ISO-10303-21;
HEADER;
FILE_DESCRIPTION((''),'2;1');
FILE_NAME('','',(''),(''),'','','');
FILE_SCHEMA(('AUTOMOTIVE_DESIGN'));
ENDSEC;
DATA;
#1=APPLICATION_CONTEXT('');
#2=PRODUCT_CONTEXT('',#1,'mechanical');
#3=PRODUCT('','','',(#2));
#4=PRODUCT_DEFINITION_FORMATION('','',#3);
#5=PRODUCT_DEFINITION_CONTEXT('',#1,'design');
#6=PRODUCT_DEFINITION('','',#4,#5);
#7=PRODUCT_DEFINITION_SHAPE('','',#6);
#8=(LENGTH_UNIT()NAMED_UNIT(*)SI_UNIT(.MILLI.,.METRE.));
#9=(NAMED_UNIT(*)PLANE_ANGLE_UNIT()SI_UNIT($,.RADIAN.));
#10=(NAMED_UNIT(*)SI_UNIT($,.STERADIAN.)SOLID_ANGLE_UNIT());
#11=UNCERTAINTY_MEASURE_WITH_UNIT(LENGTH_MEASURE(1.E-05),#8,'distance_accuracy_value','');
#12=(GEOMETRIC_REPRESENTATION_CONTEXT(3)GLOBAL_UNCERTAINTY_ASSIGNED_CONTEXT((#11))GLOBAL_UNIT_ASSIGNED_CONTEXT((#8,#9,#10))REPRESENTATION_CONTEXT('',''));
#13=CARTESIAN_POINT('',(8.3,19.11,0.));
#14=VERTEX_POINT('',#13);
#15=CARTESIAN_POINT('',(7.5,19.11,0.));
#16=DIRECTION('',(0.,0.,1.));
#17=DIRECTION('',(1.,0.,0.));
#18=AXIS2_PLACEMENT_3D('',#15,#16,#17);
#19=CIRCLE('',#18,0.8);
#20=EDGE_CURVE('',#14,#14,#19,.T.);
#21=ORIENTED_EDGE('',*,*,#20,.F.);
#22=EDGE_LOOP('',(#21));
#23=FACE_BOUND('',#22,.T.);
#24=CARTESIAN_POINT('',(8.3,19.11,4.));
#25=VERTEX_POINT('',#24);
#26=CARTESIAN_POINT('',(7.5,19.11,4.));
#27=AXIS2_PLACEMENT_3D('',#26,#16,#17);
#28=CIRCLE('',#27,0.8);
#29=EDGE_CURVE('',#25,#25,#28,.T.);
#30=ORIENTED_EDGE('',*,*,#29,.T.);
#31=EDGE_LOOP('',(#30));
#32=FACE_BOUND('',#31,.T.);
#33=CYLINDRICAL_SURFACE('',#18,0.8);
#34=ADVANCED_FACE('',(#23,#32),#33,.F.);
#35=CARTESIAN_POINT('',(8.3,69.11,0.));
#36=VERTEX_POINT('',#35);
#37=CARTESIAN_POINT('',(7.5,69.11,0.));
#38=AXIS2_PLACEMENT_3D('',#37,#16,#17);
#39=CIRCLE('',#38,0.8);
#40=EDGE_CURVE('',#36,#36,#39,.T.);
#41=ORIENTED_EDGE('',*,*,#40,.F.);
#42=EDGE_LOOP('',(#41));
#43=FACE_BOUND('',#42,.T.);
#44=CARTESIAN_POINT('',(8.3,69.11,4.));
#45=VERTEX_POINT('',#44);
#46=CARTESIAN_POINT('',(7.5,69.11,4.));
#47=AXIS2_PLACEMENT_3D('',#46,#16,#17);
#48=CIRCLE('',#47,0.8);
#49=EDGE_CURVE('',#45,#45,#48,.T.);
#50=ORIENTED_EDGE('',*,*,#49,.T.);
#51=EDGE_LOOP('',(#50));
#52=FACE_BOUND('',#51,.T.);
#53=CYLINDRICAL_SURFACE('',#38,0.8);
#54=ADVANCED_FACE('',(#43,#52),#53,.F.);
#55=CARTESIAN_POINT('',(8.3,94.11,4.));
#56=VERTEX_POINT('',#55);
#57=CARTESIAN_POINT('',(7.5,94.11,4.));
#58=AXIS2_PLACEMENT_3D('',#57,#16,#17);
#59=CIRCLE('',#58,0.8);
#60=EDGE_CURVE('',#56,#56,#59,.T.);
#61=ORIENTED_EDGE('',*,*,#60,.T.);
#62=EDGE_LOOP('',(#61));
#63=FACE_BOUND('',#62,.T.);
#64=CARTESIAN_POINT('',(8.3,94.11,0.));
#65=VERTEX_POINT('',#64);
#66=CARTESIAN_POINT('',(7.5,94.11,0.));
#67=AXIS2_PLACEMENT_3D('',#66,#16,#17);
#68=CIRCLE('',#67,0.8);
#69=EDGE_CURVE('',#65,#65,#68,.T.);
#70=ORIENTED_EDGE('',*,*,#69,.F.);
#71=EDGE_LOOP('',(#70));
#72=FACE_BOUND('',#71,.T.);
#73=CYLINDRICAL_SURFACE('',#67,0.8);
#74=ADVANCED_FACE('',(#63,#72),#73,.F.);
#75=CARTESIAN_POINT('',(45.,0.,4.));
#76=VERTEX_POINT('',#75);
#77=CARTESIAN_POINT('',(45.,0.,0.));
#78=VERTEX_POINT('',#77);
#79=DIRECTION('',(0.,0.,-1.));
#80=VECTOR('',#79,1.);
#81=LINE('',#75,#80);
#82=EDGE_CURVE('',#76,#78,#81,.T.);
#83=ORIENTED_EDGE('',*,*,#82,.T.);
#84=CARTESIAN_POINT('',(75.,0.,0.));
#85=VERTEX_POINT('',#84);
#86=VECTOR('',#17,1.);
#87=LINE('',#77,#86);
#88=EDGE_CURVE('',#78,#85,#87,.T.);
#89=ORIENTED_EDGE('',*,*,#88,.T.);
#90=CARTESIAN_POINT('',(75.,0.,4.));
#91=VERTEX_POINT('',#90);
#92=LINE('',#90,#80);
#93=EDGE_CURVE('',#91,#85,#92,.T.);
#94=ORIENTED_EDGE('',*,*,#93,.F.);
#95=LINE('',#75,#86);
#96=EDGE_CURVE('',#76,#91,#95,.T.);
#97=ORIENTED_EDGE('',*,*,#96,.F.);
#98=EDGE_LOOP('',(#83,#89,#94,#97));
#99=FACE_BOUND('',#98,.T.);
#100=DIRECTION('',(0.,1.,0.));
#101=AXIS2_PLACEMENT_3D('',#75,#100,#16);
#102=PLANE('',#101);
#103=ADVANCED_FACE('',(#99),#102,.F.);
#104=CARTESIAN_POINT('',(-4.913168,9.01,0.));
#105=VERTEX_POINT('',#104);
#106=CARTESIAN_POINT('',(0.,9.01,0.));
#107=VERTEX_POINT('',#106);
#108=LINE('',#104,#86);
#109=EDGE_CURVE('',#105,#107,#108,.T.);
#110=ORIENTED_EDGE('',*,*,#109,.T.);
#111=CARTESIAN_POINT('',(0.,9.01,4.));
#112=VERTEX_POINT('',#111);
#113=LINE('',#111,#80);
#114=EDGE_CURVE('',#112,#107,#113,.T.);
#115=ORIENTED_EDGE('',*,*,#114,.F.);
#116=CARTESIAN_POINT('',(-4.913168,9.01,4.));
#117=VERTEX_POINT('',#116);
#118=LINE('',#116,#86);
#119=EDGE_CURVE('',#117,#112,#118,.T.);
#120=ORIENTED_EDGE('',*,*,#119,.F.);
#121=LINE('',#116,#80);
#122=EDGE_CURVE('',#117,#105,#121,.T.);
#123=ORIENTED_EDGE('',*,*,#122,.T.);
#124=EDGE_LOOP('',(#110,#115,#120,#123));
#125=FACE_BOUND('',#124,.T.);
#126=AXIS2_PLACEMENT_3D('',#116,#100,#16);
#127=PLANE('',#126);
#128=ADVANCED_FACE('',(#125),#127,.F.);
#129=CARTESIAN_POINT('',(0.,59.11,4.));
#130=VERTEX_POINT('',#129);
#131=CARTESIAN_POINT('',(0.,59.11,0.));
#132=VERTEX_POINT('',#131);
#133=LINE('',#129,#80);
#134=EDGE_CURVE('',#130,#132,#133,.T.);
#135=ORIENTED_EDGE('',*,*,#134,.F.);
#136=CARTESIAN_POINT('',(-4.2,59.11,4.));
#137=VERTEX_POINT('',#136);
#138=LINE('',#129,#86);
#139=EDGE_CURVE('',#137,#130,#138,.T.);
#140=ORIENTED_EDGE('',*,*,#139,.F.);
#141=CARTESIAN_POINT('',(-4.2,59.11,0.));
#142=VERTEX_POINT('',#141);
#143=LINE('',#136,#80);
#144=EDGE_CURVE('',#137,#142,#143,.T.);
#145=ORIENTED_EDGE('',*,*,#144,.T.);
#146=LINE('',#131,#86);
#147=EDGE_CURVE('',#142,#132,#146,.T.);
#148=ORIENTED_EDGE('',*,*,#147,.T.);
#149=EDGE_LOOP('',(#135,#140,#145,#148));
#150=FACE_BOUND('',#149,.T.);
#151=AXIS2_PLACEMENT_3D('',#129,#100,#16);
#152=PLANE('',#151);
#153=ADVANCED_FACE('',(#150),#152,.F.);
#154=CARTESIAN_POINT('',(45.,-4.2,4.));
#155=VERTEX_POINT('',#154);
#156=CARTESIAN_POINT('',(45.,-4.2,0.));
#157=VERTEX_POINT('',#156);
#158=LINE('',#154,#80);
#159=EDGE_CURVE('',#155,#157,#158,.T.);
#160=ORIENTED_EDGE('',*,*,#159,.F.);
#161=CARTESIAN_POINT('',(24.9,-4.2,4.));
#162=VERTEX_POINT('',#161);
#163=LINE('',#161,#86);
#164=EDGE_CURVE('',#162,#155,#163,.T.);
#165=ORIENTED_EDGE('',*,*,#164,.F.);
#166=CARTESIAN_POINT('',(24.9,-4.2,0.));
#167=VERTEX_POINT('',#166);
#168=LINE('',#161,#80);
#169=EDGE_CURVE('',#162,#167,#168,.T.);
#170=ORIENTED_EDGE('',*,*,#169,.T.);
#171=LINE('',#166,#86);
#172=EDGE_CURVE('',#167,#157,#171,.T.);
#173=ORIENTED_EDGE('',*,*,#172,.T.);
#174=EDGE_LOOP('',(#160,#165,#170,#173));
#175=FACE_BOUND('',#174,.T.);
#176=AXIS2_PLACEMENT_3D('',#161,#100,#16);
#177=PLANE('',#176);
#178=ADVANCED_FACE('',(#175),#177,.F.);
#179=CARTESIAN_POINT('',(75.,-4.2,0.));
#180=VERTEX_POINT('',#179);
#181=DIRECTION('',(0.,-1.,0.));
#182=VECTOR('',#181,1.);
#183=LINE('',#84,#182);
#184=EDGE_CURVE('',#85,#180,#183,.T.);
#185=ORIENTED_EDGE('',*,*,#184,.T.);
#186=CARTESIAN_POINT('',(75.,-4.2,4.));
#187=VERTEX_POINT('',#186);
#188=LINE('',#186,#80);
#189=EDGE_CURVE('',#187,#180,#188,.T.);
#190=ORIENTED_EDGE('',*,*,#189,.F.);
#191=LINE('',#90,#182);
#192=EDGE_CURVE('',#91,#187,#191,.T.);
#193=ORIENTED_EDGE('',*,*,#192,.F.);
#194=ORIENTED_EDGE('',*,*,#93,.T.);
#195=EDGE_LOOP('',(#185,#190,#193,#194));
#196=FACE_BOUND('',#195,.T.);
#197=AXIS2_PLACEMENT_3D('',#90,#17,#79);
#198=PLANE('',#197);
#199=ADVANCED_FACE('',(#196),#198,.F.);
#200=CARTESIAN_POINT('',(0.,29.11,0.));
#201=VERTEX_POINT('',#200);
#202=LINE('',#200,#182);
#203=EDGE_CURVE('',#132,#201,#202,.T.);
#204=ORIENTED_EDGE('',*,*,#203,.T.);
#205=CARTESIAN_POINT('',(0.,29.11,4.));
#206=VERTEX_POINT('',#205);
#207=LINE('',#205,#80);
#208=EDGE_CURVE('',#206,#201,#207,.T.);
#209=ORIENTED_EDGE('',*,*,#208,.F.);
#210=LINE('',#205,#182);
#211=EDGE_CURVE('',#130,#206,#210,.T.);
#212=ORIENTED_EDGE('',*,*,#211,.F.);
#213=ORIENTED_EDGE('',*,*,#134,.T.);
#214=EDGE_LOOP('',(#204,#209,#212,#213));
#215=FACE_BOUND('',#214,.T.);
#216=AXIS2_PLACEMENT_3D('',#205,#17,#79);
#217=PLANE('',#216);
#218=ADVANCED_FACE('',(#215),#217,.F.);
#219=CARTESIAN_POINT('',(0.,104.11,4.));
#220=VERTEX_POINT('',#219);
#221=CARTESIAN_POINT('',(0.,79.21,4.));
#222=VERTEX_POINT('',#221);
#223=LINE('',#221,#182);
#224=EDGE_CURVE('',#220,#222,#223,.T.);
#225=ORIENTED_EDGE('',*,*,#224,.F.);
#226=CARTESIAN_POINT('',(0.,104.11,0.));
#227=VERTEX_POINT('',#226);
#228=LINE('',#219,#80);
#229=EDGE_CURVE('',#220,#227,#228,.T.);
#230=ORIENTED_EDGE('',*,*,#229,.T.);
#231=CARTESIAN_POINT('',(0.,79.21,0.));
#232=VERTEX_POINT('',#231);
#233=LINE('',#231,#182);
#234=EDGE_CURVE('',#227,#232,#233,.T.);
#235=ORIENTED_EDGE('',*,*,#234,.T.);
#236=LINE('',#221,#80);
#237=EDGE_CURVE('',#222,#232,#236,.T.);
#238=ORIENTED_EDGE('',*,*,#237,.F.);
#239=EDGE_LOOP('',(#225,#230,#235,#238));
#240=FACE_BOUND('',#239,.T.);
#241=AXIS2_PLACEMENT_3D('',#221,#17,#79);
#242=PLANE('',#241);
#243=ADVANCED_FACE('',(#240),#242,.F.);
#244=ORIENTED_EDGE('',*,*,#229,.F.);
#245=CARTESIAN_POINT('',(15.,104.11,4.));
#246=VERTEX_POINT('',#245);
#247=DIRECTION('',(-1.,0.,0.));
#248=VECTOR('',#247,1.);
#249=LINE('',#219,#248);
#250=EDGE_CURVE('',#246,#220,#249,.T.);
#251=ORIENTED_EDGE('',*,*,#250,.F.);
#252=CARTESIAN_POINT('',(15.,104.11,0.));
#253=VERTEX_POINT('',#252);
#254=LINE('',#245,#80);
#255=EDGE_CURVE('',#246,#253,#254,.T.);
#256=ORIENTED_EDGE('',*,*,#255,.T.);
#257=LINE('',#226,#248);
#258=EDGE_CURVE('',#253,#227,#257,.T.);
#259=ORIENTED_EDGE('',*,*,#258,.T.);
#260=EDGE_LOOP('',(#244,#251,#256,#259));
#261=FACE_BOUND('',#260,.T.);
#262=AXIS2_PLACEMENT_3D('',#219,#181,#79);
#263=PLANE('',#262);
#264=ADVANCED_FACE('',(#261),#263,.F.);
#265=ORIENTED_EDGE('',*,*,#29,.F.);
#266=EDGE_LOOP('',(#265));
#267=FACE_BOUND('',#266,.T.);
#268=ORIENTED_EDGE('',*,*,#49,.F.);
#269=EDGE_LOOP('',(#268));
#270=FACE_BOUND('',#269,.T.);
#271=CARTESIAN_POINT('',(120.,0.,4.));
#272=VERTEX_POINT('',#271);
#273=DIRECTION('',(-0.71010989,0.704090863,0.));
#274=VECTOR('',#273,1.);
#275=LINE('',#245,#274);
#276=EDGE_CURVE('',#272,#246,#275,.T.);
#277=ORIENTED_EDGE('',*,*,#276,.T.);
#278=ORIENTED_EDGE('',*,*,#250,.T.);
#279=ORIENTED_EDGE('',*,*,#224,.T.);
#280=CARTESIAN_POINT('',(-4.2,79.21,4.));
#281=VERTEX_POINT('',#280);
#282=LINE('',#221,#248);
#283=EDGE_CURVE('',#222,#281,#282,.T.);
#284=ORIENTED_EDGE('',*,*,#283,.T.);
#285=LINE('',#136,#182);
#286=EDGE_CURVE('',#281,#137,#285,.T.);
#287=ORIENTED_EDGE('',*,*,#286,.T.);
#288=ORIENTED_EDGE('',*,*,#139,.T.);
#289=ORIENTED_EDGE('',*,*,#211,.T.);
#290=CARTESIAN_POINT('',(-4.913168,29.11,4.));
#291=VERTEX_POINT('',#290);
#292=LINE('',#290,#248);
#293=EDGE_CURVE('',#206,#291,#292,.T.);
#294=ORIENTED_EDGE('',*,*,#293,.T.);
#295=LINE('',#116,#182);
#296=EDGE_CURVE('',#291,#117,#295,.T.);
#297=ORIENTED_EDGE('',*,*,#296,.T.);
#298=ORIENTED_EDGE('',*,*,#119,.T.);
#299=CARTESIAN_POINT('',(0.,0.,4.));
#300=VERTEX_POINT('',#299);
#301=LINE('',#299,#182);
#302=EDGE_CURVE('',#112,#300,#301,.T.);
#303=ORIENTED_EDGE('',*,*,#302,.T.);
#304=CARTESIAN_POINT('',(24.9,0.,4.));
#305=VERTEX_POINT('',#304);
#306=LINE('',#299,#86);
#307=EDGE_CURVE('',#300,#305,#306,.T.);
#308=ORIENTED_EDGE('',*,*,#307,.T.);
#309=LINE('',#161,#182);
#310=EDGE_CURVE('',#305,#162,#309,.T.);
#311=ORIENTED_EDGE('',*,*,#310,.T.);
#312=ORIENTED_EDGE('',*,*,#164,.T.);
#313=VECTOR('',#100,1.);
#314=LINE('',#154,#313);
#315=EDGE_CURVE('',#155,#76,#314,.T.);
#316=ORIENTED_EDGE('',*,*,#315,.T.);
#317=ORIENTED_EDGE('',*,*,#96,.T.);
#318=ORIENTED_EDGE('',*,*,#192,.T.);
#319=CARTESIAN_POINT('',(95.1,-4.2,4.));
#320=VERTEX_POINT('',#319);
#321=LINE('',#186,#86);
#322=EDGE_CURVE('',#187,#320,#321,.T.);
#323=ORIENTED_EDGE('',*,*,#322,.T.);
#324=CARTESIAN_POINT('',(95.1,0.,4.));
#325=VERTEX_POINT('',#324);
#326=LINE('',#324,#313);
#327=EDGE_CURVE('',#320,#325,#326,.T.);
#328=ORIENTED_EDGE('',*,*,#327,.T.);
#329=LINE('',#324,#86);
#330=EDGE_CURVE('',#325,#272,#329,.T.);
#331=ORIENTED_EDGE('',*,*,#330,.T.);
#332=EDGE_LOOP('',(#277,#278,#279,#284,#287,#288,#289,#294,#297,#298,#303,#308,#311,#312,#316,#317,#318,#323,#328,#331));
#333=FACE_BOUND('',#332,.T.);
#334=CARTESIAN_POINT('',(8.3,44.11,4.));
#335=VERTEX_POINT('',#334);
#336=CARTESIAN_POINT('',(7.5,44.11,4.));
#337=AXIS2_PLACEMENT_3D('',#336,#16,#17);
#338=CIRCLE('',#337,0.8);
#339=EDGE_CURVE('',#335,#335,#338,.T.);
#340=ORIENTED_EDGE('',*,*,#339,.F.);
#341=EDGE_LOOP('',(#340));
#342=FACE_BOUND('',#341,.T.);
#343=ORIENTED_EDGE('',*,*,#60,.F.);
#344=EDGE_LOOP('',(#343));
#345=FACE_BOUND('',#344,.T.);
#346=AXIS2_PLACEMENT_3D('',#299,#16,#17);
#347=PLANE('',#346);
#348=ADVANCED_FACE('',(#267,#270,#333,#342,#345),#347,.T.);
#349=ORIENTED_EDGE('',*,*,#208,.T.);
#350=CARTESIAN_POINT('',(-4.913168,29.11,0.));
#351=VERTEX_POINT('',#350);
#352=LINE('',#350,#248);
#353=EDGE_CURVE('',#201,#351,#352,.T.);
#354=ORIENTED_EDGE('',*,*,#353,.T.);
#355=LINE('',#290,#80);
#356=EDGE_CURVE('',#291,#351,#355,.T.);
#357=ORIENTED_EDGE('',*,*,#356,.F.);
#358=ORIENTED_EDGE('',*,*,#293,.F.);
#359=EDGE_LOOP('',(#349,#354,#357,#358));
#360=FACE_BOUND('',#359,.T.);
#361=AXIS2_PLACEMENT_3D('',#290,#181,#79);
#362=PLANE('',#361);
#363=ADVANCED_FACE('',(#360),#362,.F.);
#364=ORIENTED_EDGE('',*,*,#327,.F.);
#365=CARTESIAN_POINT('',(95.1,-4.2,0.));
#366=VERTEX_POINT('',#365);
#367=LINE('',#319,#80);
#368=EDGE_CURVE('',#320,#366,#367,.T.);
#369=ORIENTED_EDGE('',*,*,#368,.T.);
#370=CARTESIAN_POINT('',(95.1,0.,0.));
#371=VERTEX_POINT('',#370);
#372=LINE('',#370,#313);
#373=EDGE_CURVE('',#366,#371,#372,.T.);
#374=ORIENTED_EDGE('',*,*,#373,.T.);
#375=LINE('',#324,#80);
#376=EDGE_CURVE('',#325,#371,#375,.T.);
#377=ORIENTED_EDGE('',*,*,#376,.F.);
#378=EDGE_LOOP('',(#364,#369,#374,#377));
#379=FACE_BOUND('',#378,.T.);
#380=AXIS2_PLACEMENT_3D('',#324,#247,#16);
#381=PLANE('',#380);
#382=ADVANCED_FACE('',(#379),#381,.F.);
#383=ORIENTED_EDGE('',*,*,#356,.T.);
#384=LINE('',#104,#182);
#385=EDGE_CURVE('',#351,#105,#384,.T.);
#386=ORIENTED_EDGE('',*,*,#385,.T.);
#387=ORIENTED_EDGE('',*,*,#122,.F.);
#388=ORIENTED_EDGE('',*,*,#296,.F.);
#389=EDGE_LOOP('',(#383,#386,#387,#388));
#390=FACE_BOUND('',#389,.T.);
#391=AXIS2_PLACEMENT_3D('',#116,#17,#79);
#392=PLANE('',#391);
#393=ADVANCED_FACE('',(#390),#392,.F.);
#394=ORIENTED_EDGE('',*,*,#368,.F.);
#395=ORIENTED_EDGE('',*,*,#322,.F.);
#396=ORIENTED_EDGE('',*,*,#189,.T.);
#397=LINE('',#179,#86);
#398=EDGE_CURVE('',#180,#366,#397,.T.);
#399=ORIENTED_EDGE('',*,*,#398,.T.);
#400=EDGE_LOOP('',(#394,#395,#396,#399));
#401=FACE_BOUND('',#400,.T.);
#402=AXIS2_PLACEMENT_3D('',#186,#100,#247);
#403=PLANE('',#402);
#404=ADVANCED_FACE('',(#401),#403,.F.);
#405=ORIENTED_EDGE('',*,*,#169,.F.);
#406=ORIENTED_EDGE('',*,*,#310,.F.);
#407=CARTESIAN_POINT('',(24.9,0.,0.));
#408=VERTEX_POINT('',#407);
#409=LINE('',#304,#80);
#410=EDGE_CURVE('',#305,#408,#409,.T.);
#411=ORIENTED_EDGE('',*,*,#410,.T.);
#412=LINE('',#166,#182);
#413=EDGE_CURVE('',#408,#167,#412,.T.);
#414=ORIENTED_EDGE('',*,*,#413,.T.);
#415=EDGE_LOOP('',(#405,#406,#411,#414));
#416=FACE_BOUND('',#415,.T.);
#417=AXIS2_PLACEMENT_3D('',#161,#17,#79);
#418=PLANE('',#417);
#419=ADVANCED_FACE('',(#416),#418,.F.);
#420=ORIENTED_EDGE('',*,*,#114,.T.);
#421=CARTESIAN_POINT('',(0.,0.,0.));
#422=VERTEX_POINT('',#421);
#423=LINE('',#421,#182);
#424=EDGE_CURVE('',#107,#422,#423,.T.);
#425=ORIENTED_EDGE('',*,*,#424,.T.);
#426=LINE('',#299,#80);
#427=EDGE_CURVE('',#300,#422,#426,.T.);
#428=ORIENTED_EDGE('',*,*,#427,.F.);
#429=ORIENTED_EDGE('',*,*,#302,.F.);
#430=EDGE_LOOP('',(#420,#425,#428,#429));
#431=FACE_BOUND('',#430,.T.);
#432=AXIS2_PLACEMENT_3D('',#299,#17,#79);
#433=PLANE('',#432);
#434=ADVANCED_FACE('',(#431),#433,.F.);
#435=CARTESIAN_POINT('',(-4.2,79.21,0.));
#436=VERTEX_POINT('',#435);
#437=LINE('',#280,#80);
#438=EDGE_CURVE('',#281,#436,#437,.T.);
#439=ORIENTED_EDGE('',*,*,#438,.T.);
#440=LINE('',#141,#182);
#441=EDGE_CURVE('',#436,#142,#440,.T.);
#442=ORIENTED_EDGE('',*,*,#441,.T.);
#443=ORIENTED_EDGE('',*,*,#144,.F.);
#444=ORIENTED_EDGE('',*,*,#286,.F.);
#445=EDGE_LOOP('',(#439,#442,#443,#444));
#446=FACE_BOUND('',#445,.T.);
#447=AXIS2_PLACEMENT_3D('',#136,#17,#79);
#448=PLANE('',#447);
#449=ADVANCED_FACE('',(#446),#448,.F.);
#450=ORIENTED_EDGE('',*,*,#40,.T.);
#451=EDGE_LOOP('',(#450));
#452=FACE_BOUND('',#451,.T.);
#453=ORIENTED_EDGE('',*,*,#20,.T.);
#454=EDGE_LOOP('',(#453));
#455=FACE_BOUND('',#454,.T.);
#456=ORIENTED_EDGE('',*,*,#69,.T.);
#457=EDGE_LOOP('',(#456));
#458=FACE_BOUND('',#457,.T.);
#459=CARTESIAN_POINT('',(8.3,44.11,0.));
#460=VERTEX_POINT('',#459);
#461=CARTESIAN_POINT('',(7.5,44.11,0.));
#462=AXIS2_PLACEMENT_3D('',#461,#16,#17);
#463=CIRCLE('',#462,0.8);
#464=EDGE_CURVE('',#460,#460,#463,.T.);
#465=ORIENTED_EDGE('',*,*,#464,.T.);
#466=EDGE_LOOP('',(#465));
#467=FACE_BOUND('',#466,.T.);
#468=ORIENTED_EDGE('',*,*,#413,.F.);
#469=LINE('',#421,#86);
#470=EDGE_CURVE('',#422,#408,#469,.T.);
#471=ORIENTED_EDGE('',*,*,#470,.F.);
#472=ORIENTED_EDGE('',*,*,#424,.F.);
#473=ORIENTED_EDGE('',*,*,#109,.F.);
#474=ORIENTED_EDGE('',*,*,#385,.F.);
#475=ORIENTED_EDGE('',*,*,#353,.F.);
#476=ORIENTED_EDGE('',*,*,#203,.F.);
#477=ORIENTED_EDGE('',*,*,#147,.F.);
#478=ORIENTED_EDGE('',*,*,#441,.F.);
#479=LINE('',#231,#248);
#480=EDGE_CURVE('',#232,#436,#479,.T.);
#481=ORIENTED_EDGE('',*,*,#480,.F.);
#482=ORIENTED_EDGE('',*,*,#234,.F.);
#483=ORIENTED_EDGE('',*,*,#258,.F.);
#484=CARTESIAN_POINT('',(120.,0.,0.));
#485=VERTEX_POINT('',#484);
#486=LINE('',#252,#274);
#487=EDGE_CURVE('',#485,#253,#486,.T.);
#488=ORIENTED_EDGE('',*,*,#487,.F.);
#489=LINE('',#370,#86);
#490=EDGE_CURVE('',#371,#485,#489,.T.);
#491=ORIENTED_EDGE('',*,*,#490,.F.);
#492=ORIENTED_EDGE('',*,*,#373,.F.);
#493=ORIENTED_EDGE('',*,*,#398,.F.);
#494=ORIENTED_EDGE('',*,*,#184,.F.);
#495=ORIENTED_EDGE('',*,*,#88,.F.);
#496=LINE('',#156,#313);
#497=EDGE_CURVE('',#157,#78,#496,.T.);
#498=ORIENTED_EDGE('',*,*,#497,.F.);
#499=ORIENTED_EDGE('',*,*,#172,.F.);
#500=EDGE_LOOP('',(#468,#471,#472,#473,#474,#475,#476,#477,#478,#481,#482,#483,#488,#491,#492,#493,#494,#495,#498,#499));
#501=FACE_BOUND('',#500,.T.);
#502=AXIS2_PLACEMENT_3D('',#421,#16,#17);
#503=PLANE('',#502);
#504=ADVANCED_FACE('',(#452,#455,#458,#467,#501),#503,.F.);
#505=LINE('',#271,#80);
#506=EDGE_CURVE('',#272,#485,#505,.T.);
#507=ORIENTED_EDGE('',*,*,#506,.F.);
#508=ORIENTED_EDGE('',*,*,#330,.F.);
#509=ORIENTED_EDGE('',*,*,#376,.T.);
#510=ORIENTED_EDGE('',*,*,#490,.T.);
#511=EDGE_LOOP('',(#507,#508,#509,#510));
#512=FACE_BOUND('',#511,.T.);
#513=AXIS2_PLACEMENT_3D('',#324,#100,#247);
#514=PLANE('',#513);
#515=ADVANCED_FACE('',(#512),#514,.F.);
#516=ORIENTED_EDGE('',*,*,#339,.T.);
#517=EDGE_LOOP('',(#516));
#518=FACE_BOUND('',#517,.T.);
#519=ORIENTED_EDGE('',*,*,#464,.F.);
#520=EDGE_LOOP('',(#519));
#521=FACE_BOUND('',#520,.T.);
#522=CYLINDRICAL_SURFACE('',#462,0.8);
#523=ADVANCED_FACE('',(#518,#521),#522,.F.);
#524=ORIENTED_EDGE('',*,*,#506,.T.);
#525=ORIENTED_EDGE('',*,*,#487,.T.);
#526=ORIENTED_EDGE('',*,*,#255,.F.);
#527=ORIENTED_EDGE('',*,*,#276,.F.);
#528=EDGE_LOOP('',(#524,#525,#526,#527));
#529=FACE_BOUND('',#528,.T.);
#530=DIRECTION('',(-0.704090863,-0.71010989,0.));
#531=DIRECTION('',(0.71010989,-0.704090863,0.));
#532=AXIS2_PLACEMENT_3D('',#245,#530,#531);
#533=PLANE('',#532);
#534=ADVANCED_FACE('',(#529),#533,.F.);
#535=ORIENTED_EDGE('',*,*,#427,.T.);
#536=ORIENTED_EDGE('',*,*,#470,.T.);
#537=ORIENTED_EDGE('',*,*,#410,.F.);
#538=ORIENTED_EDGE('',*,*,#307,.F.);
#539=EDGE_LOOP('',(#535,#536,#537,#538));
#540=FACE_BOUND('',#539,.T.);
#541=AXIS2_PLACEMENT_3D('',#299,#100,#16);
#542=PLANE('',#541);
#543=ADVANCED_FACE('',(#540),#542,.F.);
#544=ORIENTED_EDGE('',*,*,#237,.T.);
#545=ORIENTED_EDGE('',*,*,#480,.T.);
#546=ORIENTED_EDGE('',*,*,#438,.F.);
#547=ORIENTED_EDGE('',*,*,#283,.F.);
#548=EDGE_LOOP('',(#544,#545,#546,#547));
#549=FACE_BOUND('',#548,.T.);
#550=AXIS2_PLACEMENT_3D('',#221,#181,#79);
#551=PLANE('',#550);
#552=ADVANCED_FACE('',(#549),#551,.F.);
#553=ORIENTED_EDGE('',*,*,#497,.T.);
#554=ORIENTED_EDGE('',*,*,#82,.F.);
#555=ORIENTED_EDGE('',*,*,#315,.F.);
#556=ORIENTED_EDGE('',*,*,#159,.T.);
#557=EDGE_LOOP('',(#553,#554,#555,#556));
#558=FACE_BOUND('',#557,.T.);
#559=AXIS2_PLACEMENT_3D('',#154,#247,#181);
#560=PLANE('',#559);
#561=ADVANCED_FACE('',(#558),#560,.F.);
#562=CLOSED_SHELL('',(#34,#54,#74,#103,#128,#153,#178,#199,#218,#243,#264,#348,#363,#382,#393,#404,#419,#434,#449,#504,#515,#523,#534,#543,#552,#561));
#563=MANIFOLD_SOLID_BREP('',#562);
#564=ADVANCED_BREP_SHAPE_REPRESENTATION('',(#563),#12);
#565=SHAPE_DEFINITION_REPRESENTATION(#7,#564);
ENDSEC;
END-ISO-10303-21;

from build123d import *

# Parameters (mm, degrees)
BOSS_EXTRUDE1_DEPTH = 4
SKETCH2_R           = 0.8
CUT_EXTRUDE1_DEPTH  = 4
LPATTERN1_COUNT     = 4
LPATTERN1_PITCH     = 25


with BuildPart() as part:
    # Sketch1 → Boss-Extrude1 (new body)
    with BuildSketch(Plane.XY):
        Polygon((0, 0), (0, 9.01), (-4.913167973, 9.01), (-4.913167973, 29.11), (0, 29.11), (0, 59.11), (-4.2, 59.11), (-4.2, 79.21), (0, 79.21), (0, 104.11), (15, 104.11), (120, 0), (95.1, 0), (95.1, -4.2), (75, -4.2), (75, 0), (45, 0), (45, -4.2), (24.9, -4.2), (24.9, 0), align=None)
    extrude(amount=BOSS_EXTRUDE1_DEPTH)

    # Sketch2 → Cut-Extrude1 (cut)
    with BuildSketch(Plane.XY.offset(4)):
        with Locations((7.5, 94.11)):
            Circle(SKETCH2_R)
    cut_extrude1 = extrude(amount=-CUT_EXTRUDE1_DEPTH, mode=Mode.SUBTRACT)

    # LPattern1: Cut-Extrude1 ×4
    with Locations(*[(0, -i * LPATTERN1_PITCH, 0) for i in range(1, LPATTERN1_COUNT)]):
        add(cut_extrude1, mode=Mode.SUBTRACT)


solid = part.part
